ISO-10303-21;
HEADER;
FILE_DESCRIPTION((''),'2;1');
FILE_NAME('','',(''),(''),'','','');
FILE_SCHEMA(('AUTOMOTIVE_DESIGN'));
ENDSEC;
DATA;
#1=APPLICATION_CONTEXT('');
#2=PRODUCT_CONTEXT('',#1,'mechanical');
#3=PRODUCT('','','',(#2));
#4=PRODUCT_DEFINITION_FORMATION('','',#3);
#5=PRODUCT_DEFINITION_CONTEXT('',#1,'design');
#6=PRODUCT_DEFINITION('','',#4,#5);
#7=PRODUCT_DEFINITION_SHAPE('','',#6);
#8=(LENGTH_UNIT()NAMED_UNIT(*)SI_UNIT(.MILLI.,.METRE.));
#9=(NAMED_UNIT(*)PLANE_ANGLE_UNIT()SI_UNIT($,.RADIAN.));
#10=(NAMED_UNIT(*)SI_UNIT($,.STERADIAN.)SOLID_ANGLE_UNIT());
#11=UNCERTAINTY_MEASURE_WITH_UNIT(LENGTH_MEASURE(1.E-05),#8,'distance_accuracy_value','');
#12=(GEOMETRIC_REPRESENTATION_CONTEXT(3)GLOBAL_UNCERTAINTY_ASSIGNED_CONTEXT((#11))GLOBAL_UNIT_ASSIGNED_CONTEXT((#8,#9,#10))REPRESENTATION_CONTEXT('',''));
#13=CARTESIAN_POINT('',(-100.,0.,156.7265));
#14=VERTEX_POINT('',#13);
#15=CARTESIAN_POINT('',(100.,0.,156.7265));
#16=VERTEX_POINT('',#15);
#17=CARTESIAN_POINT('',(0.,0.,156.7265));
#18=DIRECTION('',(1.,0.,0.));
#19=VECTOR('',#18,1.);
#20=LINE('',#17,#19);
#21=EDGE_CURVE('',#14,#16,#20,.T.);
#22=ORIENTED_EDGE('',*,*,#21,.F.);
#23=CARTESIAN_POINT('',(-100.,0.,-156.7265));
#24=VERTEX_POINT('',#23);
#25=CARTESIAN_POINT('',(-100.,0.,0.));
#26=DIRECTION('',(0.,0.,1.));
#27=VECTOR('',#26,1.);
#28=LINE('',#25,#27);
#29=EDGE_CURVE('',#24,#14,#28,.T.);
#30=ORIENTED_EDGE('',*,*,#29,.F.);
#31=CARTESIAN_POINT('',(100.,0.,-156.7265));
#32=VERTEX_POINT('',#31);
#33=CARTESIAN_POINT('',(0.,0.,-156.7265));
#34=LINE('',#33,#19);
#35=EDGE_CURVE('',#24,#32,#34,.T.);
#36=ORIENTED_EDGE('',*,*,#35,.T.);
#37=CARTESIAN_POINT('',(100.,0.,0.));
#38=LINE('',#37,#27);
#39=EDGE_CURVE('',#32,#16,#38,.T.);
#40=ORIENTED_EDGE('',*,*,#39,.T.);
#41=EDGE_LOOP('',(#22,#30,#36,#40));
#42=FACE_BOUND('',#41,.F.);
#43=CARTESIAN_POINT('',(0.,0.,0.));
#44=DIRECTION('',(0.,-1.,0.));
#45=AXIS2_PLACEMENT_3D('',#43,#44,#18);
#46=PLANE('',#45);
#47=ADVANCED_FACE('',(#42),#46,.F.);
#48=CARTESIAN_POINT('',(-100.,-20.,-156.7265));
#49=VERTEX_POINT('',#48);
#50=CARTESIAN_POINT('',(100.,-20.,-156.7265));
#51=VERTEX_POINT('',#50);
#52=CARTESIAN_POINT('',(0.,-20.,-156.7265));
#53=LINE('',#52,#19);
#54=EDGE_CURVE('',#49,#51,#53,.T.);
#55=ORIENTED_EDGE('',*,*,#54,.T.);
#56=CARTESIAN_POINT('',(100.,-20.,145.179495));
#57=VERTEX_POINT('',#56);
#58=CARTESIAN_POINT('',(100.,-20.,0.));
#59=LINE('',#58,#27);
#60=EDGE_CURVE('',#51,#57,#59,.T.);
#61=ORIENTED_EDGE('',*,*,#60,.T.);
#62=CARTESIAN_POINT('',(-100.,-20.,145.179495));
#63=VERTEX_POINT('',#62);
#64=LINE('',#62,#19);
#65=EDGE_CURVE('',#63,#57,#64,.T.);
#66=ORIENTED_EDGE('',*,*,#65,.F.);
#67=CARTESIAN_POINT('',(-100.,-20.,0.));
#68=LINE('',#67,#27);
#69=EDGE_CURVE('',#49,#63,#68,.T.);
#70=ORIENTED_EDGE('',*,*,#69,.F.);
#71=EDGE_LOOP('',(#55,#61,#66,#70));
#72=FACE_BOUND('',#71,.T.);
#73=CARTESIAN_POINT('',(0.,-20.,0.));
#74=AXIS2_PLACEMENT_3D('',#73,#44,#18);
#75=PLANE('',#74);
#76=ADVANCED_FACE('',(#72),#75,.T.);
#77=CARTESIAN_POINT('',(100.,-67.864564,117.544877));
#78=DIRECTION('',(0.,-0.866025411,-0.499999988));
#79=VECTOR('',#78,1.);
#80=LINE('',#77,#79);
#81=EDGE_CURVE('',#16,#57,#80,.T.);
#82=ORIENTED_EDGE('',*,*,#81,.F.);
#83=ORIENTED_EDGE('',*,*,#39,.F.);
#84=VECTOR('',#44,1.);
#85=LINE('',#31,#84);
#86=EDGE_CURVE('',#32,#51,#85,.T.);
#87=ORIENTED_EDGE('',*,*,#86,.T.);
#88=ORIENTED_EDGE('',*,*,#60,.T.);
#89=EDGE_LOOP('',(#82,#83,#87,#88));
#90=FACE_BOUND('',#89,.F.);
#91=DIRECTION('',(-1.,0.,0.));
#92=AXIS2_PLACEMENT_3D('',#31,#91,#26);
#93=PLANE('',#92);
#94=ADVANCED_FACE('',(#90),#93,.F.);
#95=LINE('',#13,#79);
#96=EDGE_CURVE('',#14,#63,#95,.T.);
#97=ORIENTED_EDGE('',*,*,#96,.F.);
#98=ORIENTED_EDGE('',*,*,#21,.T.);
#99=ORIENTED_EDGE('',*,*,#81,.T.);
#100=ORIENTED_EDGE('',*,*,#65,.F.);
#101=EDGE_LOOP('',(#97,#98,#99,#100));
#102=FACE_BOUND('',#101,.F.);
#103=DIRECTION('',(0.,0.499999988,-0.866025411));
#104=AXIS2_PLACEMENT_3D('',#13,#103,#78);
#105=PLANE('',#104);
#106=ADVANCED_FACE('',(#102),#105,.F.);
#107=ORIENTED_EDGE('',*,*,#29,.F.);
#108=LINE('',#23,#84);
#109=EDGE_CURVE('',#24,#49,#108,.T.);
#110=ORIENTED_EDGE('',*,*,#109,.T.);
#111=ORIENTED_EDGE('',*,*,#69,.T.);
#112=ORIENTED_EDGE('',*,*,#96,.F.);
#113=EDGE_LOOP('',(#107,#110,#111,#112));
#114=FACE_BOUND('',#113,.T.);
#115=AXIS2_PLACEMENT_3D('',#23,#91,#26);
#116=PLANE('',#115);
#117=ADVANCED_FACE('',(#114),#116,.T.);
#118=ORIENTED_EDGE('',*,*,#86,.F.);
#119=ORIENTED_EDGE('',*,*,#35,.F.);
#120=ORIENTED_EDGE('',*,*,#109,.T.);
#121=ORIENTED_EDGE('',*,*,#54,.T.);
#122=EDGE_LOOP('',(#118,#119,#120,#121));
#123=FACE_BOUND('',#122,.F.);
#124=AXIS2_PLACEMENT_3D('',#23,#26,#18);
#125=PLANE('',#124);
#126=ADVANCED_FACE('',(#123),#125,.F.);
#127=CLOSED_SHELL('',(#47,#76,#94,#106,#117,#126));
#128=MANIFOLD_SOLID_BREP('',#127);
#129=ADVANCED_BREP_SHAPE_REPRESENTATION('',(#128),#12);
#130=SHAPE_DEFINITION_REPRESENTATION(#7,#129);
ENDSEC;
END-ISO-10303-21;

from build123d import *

# Parameters (mm, degrees)
F0_W     = 200
F0_H     = 313.453
F1_DEPTH = 20
F3_DEPTH = 200.001


with BuildPart() as f1:
    # F0 (on Front) → F1 (new body)
    with BuildSketch(Plane.XZ):
        Rectangle(F0_W, F0_H)
    extrude(amount=F1_DEPTH)

    # F2 (on face) → F3 (cut, through all)
    with BuildSketch(Plane(origin=(-100, 0, 0), x_dir=(0, -1, 0), z_dir=(-1, 0, 0))):
        Polygon((20, 156.7265), (0, 156.7265), (20, 145.179495), align=None)
    extrude(amount=-F3_DEPTH, mode=Mode.SUBTRACT)


solid = f1.part
